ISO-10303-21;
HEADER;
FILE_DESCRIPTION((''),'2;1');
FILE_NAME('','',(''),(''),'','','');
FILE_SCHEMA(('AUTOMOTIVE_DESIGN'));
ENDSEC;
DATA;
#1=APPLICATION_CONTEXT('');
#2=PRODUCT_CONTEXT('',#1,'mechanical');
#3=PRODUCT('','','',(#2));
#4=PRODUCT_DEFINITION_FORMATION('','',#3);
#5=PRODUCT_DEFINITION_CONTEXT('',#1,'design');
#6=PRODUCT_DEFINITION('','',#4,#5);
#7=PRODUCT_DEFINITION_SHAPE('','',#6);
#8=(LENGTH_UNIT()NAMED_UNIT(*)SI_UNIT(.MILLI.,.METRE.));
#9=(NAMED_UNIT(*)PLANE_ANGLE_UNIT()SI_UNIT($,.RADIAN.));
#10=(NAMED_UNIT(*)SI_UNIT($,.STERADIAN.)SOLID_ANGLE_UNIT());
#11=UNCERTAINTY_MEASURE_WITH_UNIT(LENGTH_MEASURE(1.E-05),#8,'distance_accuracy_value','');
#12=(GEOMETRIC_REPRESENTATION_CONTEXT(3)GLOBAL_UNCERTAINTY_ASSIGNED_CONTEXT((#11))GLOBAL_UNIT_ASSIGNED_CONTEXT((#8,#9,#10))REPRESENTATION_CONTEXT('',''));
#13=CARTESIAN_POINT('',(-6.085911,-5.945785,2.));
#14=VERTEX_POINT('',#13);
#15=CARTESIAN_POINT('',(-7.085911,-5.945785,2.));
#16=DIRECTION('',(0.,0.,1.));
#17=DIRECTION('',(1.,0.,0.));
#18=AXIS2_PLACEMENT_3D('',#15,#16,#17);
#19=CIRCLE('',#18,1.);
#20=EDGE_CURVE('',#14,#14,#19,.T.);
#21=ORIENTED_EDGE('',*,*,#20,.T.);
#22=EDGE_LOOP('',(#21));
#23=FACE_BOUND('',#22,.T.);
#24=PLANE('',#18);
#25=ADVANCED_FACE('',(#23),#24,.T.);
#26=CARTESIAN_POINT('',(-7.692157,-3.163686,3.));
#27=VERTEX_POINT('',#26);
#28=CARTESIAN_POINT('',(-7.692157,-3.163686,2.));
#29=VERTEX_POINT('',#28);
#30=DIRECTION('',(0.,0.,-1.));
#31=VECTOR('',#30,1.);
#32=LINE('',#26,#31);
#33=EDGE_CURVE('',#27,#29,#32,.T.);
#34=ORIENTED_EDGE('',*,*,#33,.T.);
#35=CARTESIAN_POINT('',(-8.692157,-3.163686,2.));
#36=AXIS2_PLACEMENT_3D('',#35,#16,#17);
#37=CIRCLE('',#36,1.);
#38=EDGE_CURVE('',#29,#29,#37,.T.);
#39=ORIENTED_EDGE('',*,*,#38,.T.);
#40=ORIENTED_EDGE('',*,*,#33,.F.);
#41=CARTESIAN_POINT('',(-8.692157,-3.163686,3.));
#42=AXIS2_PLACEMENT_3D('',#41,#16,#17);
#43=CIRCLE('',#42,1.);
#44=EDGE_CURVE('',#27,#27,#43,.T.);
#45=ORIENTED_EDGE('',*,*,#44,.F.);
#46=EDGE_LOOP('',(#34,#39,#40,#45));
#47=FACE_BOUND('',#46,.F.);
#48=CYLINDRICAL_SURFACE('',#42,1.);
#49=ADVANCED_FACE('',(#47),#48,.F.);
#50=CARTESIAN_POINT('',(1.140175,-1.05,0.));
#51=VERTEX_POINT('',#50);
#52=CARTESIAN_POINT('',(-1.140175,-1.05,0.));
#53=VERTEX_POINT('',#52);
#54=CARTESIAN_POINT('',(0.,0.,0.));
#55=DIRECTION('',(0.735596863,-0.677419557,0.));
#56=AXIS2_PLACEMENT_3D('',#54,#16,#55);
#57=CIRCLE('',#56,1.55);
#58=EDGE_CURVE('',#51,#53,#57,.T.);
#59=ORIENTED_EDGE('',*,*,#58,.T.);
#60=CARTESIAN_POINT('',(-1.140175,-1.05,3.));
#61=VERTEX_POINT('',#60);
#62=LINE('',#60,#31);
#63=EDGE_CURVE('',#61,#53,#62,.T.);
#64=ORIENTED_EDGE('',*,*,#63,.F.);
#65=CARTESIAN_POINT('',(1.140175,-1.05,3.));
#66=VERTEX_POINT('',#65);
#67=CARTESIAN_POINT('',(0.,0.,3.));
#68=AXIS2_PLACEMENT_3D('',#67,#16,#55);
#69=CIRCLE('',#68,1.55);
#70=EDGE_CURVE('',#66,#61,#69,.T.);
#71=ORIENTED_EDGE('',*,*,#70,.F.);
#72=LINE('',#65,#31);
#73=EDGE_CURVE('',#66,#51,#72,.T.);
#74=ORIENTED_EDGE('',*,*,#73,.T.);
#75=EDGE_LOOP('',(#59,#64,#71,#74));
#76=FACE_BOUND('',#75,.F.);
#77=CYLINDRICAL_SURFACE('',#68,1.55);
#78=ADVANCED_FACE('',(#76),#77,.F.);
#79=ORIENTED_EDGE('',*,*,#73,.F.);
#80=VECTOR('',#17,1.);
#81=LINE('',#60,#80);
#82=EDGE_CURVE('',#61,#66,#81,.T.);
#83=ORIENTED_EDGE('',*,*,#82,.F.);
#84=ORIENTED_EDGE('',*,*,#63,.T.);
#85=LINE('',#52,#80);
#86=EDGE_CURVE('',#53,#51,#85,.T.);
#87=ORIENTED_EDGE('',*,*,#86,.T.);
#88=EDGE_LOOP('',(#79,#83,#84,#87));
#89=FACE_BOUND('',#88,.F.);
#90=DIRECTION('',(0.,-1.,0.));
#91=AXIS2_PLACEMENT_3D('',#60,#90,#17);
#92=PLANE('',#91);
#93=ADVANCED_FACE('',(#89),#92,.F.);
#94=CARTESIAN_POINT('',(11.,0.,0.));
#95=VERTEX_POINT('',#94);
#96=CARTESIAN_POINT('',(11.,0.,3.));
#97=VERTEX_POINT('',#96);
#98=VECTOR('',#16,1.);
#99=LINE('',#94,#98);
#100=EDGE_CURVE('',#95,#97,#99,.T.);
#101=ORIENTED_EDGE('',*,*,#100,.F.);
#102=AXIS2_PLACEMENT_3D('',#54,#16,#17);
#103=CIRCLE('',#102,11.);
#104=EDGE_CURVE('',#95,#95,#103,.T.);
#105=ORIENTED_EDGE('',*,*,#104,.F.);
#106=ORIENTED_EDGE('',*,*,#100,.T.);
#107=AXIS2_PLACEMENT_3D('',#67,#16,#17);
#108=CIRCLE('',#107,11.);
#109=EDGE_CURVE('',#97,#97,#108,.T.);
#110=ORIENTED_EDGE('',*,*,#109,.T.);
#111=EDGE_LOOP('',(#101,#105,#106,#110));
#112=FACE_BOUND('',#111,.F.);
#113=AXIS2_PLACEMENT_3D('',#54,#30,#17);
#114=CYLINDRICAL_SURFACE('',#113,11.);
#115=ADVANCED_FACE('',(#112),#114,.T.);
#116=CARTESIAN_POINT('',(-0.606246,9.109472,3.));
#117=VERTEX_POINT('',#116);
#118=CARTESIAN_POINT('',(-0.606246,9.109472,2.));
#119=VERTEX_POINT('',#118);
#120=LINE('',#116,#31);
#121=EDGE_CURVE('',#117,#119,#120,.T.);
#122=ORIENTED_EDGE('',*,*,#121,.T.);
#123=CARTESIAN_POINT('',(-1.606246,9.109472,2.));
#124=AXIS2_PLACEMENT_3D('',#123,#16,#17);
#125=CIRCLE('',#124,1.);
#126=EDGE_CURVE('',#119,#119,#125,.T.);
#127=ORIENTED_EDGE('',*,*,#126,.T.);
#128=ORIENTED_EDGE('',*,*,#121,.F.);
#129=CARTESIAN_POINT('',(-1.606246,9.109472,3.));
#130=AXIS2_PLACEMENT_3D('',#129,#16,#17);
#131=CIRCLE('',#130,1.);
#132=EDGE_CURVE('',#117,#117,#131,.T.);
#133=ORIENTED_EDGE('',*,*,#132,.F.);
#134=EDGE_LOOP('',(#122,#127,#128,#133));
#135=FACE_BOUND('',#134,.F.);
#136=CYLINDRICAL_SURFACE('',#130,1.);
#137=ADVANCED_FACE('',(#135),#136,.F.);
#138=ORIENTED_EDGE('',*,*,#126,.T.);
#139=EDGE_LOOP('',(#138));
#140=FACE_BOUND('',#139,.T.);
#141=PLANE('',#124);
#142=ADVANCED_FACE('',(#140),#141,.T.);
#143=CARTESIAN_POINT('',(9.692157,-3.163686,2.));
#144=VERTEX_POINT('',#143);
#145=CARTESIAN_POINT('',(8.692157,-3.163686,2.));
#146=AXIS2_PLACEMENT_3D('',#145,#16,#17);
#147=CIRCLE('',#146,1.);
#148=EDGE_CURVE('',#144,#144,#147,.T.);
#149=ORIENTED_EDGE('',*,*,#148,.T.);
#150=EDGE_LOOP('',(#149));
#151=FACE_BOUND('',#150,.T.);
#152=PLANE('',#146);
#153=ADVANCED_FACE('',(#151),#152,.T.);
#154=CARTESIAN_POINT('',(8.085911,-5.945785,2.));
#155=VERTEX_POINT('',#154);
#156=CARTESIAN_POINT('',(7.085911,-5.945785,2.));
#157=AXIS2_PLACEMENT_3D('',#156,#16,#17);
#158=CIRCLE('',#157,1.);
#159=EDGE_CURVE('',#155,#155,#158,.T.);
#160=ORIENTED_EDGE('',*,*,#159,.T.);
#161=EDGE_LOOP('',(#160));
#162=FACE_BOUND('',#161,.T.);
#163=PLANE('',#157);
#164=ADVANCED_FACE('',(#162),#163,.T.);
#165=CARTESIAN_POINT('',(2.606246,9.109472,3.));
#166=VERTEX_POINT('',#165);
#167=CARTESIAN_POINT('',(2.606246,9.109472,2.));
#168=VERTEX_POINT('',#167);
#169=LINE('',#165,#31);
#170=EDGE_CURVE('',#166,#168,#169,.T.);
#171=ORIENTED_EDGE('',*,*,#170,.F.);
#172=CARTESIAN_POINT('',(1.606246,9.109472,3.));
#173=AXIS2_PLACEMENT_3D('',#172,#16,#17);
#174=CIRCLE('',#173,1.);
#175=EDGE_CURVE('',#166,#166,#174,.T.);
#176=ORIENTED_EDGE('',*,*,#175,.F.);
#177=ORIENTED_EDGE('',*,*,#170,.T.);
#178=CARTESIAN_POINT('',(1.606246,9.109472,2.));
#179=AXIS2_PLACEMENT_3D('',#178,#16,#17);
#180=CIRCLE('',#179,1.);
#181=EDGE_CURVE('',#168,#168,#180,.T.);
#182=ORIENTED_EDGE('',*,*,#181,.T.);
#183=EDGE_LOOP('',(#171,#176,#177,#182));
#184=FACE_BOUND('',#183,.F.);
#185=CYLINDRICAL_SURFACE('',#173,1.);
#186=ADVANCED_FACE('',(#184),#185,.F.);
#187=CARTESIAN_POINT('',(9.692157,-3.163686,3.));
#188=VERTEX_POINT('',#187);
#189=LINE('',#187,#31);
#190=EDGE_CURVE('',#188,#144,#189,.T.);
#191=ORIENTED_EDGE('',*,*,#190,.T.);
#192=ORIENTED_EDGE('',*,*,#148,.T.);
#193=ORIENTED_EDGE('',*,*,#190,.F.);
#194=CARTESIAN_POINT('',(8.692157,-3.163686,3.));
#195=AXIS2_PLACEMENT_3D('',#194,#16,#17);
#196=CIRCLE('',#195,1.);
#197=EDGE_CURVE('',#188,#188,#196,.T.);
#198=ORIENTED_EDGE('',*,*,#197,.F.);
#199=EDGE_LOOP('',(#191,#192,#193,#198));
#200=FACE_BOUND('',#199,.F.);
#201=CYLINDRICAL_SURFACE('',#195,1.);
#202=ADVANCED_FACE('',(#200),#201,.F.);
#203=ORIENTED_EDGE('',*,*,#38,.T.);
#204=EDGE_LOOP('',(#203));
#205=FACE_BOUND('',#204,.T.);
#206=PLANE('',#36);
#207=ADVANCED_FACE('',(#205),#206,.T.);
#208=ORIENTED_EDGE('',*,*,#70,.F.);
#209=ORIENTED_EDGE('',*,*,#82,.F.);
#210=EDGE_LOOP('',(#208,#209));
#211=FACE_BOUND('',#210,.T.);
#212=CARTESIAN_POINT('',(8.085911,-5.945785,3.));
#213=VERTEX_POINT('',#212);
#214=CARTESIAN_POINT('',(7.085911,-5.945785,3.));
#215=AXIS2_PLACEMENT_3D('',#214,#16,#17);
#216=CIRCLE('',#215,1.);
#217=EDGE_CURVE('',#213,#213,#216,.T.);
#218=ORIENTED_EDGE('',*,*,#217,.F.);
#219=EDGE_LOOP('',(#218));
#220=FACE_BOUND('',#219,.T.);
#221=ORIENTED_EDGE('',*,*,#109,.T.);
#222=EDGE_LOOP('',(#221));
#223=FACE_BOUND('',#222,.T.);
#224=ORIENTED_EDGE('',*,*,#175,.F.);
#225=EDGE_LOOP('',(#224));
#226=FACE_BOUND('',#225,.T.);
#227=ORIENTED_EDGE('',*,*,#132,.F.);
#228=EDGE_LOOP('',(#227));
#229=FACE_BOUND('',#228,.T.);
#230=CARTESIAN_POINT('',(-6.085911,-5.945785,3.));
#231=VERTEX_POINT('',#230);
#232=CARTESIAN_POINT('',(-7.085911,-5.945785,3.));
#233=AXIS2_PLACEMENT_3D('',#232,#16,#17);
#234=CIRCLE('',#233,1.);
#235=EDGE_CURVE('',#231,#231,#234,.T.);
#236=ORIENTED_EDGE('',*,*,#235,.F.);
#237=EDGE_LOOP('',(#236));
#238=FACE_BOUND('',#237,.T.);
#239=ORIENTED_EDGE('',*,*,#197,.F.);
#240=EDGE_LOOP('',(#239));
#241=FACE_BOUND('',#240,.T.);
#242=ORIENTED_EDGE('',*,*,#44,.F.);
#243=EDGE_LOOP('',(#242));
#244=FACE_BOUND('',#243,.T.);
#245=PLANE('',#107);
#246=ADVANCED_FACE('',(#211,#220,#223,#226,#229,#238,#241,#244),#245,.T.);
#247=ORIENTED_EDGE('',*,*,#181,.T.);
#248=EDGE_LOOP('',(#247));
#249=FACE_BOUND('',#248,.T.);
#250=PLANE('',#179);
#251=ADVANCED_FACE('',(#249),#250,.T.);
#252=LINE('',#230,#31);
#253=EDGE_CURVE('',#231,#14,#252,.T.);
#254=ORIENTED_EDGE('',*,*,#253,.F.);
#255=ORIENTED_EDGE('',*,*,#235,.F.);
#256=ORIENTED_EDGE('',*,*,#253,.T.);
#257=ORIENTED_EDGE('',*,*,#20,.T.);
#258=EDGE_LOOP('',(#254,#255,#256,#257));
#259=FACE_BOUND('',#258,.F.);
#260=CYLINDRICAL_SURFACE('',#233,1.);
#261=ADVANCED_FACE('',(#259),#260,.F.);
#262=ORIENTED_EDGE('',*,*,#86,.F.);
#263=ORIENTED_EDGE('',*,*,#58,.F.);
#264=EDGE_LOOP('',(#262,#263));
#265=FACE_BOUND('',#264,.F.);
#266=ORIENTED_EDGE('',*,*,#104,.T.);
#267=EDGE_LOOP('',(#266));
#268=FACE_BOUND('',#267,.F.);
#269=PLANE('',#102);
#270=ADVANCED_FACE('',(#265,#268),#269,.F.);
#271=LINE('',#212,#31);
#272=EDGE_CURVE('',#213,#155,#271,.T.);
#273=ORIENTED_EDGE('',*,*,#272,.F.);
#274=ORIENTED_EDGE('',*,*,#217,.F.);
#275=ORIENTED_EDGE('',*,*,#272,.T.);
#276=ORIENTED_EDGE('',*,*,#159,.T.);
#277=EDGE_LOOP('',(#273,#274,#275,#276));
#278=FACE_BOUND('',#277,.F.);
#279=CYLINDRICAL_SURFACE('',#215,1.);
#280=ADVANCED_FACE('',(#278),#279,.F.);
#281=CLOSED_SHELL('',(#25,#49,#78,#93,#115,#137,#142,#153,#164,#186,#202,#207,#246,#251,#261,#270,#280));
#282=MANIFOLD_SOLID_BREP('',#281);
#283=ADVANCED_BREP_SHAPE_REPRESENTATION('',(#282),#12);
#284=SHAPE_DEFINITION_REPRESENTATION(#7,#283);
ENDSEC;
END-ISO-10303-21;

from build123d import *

# Parameters (mm, degrees)
F0_R     = 11
F1_DEPTH = 3
F3_DEPTH = 3
F4_R     = 1
F5_DEPTH = 1


with BuildPart() as f1:
    # F0 (on Top) → F1 (new body)
    with BuildSketch(Plane.XY):
        Circle(F0_R)
    extrude(amount=F1_DEPTH)

    # F2 (on face) → F3 (cut)
    with BuildSketch(Plane.XY.offset(3)):
        with BuildLine():
            ThreePointArc((1.140175, -1.05), (0, 1.55), (-1.140175, -1.05))
            Line((-1.140175, -1.05), (1.140175, -1.05))
        make_face()
    extrude(amount=-F3_DEPTH, mode=Mode.SUBTRACT)

    # F4 (on face) → F5 (cut)
    with BuildSketch(Plane.XY.offset(3)):
        with Locations((-1.606246, 9.109472)):
            Circle(F4_R)
        with Locations((-7.085911, -5.945785)):
            Circle(F4_R)
        with Locations((1.606246, 9.109472)):
            Circle(F4_R)
        with Locations((-8.692157, -3.163686)):
            Circle(F4_R)
        with Locations((8.692157, -3.163686)):
            Circle(F4_R)
        with Locations((7.085911, -5.945785)):
            Circle(F4_R)
    extrude(amount=-F5_DEPTH, mode=Mode.SUBTRACT)


solid = f1.part
